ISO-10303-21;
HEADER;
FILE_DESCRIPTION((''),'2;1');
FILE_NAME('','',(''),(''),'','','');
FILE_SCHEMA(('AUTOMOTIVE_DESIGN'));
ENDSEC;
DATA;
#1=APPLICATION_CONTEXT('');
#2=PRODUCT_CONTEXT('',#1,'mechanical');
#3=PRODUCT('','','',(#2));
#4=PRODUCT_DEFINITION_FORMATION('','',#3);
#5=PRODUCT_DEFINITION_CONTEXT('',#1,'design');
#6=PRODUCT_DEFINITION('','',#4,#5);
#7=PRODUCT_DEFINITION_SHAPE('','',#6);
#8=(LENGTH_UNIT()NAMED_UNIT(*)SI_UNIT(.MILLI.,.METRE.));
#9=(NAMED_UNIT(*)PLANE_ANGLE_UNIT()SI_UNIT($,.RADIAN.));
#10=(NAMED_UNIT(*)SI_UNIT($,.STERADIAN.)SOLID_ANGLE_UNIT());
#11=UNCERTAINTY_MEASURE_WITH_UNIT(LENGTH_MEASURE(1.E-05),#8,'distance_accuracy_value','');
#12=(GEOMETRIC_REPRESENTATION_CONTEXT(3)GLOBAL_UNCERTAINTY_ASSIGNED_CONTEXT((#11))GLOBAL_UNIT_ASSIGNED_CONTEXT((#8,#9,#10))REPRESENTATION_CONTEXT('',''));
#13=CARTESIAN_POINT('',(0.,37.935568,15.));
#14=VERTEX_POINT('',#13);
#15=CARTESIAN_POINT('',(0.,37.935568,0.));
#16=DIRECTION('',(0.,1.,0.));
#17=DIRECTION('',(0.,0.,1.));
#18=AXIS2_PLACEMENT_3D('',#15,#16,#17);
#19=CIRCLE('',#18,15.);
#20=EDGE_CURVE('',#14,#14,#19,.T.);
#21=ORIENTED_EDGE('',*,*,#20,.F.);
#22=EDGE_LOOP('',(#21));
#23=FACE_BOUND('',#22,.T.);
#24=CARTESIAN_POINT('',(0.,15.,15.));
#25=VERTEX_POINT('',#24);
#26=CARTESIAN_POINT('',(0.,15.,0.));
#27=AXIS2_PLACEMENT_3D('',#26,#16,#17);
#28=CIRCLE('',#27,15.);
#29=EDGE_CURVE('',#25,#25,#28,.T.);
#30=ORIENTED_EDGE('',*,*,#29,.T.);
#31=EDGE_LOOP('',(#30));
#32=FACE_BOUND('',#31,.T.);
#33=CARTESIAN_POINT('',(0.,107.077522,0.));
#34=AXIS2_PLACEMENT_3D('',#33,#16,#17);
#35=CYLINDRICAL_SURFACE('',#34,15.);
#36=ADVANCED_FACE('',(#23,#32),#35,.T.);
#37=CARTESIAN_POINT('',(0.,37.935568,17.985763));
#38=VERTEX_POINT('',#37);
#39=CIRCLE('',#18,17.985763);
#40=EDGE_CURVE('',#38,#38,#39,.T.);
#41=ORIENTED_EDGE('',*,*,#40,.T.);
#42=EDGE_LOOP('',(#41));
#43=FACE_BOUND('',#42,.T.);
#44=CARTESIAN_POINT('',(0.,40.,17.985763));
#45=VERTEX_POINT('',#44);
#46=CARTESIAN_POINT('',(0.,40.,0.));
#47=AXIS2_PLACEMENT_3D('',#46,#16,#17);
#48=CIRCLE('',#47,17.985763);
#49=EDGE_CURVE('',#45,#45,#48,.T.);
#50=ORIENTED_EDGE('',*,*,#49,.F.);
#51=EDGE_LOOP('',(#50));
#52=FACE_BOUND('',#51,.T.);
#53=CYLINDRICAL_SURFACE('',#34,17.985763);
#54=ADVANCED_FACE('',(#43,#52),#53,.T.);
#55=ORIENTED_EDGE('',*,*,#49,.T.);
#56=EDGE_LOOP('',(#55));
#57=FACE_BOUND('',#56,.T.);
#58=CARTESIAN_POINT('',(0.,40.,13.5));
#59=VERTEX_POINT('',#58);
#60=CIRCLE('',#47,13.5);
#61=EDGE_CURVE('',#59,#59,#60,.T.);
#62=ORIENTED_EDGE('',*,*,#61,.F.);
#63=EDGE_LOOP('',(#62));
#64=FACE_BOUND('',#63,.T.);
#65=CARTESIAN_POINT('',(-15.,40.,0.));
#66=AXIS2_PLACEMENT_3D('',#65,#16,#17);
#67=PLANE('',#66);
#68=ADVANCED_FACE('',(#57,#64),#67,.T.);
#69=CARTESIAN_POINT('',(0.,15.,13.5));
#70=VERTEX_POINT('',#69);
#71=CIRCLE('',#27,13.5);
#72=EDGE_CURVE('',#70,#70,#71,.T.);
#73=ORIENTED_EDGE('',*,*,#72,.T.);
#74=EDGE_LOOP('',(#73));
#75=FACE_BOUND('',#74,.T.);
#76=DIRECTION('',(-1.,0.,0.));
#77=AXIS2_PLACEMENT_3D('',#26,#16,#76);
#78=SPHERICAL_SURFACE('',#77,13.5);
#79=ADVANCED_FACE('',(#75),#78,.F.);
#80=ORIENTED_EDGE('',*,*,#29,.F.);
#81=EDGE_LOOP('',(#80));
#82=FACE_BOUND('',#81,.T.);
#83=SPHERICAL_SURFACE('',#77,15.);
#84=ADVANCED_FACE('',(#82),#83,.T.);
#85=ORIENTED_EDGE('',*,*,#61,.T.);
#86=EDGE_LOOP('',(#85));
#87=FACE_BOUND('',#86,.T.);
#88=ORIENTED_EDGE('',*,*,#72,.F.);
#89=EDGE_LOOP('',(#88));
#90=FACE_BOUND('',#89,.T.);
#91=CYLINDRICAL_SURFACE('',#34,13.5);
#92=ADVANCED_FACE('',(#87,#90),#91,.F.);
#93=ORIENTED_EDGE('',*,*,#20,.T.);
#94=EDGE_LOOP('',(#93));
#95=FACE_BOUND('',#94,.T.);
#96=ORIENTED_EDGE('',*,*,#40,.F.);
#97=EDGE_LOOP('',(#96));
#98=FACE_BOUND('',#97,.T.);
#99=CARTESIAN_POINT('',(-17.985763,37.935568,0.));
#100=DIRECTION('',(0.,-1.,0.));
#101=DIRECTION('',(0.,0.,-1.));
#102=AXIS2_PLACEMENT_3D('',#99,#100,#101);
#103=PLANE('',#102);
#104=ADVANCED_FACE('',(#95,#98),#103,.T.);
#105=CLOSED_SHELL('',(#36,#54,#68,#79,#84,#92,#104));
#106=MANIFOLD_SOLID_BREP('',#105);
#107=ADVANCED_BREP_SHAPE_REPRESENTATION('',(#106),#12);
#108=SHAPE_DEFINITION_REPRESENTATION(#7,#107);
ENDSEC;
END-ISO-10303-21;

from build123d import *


with BuildPart() as part:
    # Sketch2 → Revolve1 (revolve)
    with BuildSketch(Plane.XY):
        with BuildLine():
            Line((-13.5, 40), (-13.5, 15))
            ThreePointArc((-13.5, 15), (-9.545941546, 5.454058454), (0, 1.5))
            Line((0, 1.5), (0, 0))
            ThreePointArc((0, 0), (-10.606601718, 4.393398282), (-15, 15))
            Line((-15, 15), (-15, 37.935568233))
            Line((-15, 37.935568233), (-17.985762804, 37.935568233))
            Line((-17.985762804, 37.935568233), (-17.985762804, 40))
            Line((-17.985762804, 40), (-15, 40))
            Line((-15, 40), (-13.5, 40))
        make_face()
    revolve(axis=Axis((0, 107.077522155, 0), (0, -1, 0)))


solid = part.part
